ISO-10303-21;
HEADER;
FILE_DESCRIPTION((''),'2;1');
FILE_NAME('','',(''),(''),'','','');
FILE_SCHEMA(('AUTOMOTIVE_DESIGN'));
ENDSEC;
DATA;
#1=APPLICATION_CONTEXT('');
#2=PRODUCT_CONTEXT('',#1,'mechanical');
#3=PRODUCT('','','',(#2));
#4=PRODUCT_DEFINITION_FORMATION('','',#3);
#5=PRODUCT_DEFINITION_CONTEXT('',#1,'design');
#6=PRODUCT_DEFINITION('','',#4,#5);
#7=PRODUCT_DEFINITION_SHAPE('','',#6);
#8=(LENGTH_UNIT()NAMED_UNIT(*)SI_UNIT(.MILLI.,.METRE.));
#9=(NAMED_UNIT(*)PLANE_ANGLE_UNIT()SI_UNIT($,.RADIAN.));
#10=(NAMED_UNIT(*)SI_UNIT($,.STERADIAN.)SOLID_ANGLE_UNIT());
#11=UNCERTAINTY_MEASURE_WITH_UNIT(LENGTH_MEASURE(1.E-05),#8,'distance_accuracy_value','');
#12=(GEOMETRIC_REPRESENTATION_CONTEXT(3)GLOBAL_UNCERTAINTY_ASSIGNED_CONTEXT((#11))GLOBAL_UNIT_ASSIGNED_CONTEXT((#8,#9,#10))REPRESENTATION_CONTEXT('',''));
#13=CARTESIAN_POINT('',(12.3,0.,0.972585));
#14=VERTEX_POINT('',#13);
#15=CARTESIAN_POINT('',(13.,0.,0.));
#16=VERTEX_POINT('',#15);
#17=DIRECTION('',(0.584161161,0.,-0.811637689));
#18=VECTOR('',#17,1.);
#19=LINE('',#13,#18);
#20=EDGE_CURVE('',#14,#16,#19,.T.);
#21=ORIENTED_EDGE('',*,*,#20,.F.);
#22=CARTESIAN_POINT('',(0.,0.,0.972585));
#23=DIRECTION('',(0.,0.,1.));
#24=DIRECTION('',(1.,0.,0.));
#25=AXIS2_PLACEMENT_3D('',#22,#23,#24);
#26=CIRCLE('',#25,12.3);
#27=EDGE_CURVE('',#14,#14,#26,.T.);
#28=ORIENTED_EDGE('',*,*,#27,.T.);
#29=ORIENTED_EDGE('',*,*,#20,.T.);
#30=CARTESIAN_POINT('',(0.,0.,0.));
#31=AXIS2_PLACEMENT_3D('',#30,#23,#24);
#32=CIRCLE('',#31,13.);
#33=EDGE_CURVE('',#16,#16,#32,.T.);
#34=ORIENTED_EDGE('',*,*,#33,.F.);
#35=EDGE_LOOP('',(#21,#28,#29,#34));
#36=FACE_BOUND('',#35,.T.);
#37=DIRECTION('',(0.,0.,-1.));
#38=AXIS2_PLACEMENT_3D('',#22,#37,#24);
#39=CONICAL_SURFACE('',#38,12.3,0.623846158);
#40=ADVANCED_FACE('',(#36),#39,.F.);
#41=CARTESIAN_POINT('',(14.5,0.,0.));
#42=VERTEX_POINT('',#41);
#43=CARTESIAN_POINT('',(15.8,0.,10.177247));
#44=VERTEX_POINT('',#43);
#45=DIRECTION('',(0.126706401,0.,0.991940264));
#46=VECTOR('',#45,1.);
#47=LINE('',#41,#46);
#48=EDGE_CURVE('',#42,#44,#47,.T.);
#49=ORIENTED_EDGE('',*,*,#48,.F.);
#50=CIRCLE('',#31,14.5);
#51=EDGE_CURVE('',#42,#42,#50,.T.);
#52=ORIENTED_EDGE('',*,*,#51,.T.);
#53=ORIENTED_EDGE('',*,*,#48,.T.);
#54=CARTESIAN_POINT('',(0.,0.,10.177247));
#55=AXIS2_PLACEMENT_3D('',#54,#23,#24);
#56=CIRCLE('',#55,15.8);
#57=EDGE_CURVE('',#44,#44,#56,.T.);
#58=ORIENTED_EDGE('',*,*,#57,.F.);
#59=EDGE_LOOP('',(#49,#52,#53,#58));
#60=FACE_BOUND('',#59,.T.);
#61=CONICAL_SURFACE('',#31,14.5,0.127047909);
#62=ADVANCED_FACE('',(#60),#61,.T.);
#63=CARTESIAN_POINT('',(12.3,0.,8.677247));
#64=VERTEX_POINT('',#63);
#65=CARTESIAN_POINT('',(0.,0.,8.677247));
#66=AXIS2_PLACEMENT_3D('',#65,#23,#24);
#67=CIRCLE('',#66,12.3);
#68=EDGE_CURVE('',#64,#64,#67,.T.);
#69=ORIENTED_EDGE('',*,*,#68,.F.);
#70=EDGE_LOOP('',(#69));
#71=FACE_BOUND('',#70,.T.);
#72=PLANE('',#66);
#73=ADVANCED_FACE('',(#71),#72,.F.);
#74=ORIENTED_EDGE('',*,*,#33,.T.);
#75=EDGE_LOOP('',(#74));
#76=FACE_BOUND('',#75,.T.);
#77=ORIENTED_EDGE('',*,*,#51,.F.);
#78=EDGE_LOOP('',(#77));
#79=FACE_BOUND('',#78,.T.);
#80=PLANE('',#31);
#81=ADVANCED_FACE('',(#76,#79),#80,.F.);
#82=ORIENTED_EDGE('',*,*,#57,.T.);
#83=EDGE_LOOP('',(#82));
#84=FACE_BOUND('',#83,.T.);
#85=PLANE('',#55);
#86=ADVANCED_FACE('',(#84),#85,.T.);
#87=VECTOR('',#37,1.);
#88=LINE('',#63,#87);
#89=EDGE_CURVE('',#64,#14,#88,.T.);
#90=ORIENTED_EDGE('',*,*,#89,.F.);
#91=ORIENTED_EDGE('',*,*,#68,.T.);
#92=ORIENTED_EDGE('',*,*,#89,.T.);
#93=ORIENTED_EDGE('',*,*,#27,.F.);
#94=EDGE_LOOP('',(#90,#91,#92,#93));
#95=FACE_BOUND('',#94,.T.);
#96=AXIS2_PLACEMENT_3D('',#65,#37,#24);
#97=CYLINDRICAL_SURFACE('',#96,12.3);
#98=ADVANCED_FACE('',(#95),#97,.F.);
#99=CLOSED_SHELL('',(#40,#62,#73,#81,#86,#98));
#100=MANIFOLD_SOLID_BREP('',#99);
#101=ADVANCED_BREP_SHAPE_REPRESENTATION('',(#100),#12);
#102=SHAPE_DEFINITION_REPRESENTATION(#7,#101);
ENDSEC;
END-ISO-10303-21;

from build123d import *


with BuildPart() as part:
    # Sketch → Revolution (revolve)
    with BuildSketch(Plane.XZ):
        Polygon((12.3, 0.972585), (13, 0), (14.5, 0), (15.8, 10.177247), (0, 10.177247), (0, 8.677247), (12.3, 8.677247), align=None)
    revolve(axis=Axis((0, 0, 0), (0, 0, 1)))


solid = part.part
